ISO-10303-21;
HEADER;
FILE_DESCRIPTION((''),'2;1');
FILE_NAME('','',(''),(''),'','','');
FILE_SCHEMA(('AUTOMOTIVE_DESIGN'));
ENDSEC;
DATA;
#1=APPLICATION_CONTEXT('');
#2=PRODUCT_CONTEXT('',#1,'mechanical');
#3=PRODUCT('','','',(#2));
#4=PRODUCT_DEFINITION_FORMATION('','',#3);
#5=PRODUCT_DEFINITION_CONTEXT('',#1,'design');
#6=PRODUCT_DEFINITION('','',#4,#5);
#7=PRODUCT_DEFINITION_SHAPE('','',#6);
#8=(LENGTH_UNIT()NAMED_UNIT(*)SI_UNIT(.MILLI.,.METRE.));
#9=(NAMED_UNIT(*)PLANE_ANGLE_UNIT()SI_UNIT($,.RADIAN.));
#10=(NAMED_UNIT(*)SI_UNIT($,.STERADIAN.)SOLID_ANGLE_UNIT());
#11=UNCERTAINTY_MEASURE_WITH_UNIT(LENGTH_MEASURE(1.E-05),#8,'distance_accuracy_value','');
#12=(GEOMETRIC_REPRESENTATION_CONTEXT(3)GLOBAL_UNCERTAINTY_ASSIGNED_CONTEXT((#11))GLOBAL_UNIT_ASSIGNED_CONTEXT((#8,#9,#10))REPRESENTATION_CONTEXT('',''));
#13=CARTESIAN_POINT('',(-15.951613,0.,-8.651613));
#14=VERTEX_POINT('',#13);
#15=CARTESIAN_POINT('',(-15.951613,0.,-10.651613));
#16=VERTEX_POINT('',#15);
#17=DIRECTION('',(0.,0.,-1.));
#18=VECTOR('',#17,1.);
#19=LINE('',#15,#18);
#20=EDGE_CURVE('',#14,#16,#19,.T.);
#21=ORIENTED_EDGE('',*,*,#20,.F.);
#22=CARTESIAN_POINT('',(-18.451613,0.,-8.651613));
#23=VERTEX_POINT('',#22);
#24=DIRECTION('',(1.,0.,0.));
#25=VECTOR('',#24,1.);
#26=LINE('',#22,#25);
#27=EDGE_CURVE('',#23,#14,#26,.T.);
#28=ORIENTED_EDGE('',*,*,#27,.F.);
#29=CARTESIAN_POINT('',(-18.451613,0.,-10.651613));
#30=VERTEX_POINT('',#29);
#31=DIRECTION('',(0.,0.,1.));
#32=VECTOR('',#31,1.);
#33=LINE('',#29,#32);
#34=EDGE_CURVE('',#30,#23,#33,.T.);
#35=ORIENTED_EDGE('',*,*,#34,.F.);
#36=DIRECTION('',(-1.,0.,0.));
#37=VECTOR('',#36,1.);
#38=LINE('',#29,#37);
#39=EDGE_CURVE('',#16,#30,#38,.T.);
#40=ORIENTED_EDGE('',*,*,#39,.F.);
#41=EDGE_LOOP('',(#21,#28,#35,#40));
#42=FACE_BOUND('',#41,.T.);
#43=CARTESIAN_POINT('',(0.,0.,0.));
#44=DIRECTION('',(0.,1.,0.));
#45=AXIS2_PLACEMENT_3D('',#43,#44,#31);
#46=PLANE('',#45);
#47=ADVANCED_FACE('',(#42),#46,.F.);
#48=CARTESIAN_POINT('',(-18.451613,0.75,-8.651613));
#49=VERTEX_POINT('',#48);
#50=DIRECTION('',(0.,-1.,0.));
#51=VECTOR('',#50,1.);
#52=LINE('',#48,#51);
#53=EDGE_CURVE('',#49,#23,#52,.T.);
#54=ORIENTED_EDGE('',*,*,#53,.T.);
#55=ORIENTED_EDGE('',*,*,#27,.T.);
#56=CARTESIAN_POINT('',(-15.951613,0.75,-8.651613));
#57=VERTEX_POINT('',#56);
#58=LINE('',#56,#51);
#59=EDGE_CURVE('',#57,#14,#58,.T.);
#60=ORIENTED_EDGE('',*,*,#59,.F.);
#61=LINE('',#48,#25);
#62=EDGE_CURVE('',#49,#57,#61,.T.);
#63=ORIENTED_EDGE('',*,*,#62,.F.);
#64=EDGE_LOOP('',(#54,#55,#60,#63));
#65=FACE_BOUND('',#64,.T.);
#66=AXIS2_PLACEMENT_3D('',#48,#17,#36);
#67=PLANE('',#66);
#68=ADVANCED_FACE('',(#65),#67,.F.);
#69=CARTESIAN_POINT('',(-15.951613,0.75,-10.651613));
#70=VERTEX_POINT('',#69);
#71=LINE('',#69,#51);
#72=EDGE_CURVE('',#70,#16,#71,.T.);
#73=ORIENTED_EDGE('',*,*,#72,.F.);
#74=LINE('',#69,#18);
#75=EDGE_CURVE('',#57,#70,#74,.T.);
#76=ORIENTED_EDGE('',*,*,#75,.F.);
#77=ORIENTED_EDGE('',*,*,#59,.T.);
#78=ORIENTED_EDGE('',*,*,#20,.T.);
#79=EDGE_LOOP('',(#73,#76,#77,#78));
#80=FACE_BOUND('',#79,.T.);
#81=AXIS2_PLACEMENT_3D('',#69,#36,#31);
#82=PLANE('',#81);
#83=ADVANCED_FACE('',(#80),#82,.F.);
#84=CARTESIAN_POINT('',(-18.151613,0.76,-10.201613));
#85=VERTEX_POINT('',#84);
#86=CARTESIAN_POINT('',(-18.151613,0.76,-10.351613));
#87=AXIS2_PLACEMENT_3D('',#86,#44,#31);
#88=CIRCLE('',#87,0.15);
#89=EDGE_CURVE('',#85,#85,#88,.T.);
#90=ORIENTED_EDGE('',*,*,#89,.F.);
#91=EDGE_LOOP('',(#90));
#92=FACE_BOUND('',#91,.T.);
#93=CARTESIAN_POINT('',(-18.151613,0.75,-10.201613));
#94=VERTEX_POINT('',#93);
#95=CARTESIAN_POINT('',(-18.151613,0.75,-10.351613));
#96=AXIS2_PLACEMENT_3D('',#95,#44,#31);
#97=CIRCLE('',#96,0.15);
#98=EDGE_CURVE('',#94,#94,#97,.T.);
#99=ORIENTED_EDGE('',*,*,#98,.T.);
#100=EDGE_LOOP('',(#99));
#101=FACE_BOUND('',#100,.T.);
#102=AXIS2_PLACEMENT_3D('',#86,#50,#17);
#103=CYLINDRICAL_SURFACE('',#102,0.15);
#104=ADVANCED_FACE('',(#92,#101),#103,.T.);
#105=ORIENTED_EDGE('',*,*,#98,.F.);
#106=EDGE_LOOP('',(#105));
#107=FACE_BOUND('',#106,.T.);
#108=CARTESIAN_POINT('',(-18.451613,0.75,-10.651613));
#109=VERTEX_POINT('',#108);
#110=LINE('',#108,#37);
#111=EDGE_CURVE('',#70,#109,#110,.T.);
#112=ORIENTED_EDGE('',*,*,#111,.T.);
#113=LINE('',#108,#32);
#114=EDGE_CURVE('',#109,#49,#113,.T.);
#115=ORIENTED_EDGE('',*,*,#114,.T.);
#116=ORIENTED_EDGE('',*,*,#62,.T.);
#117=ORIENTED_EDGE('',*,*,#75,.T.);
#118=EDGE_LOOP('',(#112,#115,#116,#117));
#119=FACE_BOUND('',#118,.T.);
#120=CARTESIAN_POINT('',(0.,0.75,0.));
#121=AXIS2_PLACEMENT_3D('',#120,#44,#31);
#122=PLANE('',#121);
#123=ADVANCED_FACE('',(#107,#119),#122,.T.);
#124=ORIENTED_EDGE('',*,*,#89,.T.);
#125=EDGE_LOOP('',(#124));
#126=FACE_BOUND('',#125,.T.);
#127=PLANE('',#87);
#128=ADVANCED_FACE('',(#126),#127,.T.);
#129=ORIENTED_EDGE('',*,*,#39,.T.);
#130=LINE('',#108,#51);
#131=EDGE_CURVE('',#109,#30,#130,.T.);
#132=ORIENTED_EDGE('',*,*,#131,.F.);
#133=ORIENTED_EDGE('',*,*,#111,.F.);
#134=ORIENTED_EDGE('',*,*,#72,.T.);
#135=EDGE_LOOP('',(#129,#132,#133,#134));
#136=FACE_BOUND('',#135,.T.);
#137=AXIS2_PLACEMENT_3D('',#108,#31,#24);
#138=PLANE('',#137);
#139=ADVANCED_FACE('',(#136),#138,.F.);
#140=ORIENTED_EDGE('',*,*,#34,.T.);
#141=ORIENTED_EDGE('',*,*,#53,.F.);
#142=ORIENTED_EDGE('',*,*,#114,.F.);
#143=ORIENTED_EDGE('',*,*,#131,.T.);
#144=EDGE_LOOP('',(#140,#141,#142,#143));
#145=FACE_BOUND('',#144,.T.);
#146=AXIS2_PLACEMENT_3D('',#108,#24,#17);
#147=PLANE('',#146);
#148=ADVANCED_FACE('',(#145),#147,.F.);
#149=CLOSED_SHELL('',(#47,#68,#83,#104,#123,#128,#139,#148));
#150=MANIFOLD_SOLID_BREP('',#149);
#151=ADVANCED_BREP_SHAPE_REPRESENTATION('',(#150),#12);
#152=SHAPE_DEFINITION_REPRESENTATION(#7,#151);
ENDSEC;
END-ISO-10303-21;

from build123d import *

# Parameters (mm, degrees)
SKETCH1_W           = 2.5
SKETCH1_H           = 2
BOSS_EXTRUDE1_DEPTH = 0.75
SKETCH2_R           = 0.15
BOSS_EXTRUDE2_DEPTH = 0.01


with BuildPart() as part:
    # Sketch1 → Boss-Extrude1 (new body)
    with BuildSketch(Plane(origin=(0, 0, 0), x_dir=(1, 0, 0), z_dir=(0, 1, 0))):
        with Locations((-17.201612903, 9.651612903)):
            Rectangle(SKETCH1_W, SKETCH1_H)
    extrude(amount=BOSS_EXTRUDE1_DEPTH)

    # Sketch2 → Boss-Extrude2 (add)
    with BuildSketch(Plane(origin=(0, 0.75, 0), x_dir=(1, 0, 0), z_dir=(0, 1, 0))):
        with Locations(Location((-18.151612903, 10.351612903, 0), (0, 0, 270))):
            Circle(SKETCH2_R)
    extrude(amount=BOSS_EXTRUDE2_DEPTH)


solid = part.part
